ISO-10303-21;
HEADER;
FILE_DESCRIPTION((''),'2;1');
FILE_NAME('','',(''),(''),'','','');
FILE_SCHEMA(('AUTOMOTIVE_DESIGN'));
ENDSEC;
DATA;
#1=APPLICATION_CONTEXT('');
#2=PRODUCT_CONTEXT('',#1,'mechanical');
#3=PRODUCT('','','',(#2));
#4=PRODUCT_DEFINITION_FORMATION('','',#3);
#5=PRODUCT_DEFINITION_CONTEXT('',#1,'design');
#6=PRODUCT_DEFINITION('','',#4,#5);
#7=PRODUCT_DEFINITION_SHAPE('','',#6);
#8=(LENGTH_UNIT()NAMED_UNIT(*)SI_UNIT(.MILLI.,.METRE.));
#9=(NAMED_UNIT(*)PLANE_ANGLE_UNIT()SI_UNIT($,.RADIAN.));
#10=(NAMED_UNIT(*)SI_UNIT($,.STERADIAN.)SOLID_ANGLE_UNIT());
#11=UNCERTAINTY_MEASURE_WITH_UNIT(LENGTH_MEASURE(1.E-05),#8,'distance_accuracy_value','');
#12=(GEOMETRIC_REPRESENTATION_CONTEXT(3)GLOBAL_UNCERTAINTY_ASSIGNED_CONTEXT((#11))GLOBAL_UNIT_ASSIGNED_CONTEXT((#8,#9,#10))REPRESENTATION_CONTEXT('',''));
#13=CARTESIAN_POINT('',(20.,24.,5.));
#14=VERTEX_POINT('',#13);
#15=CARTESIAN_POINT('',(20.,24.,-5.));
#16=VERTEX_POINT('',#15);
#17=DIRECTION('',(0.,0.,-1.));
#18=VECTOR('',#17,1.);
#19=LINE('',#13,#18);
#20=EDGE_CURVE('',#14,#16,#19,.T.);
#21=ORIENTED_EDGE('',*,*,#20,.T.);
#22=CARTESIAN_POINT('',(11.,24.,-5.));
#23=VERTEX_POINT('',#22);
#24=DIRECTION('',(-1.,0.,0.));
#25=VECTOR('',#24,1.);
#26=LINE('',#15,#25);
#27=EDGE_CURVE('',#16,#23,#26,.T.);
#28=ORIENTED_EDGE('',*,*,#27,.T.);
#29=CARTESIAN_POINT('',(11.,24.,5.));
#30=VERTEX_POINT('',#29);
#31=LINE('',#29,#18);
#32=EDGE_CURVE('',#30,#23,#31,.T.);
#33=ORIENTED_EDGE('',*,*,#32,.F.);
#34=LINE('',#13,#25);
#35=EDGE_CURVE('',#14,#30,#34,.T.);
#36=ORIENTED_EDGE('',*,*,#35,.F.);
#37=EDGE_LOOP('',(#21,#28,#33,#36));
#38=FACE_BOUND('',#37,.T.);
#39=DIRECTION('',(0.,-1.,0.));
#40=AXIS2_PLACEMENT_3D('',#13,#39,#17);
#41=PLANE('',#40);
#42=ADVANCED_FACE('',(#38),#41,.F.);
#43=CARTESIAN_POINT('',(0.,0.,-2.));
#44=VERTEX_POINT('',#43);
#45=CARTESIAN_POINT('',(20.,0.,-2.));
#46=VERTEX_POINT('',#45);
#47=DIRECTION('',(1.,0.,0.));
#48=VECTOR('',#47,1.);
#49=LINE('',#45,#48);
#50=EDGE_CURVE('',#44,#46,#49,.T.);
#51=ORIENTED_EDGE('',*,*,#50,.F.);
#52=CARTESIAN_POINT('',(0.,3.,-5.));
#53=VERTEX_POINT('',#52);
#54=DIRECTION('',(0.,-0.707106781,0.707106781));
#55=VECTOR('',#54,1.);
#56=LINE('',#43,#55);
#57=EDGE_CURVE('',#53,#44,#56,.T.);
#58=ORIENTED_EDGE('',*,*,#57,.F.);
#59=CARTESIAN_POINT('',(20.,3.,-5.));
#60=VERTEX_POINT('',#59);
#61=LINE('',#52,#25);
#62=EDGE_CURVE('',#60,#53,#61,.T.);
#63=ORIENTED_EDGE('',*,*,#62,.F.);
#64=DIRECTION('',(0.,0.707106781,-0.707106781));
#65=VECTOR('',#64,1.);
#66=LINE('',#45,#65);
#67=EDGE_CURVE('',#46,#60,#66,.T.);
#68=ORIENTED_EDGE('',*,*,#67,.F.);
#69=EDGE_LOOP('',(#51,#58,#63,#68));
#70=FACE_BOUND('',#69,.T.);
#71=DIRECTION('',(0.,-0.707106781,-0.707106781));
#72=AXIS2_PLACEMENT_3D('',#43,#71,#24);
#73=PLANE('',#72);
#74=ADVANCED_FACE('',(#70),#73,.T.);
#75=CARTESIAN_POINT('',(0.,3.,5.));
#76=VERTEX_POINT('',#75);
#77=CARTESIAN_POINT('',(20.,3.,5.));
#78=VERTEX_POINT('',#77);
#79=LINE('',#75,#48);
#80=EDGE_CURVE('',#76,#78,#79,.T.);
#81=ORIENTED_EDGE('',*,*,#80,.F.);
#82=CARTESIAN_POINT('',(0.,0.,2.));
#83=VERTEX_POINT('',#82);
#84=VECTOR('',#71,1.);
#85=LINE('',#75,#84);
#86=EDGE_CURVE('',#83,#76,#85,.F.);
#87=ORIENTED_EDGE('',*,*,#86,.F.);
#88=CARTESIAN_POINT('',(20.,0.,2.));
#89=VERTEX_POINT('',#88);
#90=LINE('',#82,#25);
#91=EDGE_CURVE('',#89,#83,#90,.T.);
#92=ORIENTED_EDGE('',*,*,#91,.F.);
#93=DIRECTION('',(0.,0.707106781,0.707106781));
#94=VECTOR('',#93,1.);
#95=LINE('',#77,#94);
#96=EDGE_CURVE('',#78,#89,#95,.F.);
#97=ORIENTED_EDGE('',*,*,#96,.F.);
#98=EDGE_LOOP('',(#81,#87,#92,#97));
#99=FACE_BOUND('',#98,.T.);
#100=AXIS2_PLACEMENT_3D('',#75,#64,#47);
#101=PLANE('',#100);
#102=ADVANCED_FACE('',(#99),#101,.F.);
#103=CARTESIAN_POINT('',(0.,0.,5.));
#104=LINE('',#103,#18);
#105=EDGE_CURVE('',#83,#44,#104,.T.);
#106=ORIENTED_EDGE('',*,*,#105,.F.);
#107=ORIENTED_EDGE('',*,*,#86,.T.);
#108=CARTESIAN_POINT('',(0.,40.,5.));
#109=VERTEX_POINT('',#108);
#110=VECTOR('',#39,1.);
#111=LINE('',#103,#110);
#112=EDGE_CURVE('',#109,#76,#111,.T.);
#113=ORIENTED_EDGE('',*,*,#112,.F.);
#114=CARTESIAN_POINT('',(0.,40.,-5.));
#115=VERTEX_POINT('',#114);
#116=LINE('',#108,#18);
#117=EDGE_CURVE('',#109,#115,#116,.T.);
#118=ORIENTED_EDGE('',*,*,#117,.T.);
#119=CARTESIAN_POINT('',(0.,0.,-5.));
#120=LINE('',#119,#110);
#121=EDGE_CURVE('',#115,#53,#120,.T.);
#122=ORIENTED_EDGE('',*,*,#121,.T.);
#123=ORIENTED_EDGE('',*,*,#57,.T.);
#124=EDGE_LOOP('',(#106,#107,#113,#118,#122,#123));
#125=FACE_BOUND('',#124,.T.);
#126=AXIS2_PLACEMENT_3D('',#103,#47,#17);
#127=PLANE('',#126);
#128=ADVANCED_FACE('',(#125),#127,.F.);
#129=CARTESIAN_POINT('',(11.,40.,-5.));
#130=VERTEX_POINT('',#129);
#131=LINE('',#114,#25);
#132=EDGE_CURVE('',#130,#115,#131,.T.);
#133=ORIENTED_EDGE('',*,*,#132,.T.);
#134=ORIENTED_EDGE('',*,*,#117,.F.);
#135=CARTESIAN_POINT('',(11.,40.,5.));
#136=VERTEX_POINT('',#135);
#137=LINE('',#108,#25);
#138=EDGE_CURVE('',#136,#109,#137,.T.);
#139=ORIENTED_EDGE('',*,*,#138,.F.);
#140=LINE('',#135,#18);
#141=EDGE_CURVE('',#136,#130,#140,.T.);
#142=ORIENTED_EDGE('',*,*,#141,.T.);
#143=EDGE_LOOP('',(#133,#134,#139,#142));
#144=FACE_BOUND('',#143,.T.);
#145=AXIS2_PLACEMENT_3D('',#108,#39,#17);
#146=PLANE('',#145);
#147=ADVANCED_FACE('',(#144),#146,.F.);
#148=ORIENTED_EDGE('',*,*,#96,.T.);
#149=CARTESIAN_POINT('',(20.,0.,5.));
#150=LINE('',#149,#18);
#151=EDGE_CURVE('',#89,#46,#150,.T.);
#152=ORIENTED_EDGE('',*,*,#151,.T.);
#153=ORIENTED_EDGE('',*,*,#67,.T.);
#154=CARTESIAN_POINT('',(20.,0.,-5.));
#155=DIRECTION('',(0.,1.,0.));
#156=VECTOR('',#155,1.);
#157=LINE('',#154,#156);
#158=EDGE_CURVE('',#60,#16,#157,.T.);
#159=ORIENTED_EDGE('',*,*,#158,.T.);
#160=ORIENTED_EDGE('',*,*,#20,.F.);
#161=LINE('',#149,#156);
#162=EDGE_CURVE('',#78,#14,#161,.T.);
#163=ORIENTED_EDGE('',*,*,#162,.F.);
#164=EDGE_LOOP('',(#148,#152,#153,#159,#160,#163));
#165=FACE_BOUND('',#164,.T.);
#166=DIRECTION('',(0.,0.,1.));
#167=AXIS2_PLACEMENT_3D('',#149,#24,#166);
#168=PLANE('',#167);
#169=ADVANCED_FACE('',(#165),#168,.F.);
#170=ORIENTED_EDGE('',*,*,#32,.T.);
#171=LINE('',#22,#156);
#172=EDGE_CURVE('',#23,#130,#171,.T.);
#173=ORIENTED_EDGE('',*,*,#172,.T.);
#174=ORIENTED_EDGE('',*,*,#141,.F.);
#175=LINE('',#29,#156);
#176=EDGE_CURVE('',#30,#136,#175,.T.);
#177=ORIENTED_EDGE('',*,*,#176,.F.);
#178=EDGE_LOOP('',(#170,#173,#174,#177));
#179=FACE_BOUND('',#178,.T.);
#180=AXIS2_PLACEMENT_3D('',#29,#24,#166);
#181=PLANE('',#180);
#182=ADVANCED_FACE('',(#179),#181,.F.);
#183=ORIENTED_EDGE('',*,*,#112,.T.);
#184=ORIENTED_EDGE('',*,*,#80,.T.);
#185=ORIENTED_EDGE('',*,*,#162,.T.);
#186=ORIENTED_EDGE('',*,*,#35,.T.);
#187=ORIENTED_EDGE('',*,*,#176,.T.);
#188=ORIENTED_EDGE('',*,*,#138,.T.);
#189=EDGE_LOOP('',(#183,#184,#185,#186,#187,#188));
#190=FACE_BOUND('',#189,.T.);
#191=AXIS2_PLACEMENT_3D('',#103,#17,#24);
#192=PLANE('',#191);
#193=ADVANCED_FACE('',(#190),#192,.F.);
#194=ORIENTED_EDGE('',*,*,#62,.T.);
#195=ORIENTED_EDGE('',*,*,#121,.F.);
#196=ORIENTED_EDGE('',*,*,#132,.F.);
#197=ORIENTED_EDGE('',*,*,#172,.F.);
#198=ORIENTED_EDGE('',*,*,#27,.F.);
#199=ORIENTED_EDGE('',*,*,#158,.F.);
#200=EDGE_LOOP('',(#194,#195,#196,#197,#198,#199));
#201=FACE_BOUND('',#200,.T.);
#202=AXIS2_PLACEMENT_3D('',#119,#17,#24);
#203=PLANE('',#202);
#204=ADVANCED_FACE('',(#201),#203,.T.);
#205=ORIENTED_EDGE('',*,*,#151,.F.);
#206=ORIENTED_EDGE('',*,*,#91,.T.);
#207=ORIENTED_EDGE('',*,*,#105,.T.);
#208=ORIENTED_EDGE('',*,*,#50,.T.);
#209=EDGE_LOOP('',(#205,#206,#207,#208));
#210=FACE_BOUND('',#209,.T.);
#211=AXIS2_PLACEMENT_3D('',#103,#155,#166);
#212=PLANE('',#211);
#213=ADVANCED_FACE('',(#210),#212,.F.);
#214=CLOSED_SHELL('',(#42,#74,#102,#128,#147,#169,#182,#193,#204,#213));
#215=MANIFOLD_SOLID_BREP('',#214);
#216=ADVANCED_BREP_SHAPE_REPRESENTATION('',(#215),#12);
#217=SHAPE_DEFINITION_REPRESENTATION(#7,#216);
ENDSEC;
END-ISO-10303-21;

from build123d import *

# Parameters (mm, degrees)
BOSS_EXTRUDE1_DEPTH = 5
CHAMFER1_SIZE       = 3


with BuildPart() as part:
    # Sketch1 → Boss-Extrude1 (new, symmetric)
    with BuildSketch(Plane.XY):
        Polygon((20, 24), (11, 24), (11, 40), (0, 40), (0, 0), (20, 0), align=None)
    extrude(amount=BOSS_EXTRUDE1_DEPTH, both=True)

    # Chamfer1
    chamfer1_edges = [part.edges().sort_by_distance(p)[0] for p in [
        (10, 0, -5),
        (10, 0, 5),
    ]]
    chamfer(chamfer1_edges, length=CHAMFER1_SIZE)


solid = part.part
